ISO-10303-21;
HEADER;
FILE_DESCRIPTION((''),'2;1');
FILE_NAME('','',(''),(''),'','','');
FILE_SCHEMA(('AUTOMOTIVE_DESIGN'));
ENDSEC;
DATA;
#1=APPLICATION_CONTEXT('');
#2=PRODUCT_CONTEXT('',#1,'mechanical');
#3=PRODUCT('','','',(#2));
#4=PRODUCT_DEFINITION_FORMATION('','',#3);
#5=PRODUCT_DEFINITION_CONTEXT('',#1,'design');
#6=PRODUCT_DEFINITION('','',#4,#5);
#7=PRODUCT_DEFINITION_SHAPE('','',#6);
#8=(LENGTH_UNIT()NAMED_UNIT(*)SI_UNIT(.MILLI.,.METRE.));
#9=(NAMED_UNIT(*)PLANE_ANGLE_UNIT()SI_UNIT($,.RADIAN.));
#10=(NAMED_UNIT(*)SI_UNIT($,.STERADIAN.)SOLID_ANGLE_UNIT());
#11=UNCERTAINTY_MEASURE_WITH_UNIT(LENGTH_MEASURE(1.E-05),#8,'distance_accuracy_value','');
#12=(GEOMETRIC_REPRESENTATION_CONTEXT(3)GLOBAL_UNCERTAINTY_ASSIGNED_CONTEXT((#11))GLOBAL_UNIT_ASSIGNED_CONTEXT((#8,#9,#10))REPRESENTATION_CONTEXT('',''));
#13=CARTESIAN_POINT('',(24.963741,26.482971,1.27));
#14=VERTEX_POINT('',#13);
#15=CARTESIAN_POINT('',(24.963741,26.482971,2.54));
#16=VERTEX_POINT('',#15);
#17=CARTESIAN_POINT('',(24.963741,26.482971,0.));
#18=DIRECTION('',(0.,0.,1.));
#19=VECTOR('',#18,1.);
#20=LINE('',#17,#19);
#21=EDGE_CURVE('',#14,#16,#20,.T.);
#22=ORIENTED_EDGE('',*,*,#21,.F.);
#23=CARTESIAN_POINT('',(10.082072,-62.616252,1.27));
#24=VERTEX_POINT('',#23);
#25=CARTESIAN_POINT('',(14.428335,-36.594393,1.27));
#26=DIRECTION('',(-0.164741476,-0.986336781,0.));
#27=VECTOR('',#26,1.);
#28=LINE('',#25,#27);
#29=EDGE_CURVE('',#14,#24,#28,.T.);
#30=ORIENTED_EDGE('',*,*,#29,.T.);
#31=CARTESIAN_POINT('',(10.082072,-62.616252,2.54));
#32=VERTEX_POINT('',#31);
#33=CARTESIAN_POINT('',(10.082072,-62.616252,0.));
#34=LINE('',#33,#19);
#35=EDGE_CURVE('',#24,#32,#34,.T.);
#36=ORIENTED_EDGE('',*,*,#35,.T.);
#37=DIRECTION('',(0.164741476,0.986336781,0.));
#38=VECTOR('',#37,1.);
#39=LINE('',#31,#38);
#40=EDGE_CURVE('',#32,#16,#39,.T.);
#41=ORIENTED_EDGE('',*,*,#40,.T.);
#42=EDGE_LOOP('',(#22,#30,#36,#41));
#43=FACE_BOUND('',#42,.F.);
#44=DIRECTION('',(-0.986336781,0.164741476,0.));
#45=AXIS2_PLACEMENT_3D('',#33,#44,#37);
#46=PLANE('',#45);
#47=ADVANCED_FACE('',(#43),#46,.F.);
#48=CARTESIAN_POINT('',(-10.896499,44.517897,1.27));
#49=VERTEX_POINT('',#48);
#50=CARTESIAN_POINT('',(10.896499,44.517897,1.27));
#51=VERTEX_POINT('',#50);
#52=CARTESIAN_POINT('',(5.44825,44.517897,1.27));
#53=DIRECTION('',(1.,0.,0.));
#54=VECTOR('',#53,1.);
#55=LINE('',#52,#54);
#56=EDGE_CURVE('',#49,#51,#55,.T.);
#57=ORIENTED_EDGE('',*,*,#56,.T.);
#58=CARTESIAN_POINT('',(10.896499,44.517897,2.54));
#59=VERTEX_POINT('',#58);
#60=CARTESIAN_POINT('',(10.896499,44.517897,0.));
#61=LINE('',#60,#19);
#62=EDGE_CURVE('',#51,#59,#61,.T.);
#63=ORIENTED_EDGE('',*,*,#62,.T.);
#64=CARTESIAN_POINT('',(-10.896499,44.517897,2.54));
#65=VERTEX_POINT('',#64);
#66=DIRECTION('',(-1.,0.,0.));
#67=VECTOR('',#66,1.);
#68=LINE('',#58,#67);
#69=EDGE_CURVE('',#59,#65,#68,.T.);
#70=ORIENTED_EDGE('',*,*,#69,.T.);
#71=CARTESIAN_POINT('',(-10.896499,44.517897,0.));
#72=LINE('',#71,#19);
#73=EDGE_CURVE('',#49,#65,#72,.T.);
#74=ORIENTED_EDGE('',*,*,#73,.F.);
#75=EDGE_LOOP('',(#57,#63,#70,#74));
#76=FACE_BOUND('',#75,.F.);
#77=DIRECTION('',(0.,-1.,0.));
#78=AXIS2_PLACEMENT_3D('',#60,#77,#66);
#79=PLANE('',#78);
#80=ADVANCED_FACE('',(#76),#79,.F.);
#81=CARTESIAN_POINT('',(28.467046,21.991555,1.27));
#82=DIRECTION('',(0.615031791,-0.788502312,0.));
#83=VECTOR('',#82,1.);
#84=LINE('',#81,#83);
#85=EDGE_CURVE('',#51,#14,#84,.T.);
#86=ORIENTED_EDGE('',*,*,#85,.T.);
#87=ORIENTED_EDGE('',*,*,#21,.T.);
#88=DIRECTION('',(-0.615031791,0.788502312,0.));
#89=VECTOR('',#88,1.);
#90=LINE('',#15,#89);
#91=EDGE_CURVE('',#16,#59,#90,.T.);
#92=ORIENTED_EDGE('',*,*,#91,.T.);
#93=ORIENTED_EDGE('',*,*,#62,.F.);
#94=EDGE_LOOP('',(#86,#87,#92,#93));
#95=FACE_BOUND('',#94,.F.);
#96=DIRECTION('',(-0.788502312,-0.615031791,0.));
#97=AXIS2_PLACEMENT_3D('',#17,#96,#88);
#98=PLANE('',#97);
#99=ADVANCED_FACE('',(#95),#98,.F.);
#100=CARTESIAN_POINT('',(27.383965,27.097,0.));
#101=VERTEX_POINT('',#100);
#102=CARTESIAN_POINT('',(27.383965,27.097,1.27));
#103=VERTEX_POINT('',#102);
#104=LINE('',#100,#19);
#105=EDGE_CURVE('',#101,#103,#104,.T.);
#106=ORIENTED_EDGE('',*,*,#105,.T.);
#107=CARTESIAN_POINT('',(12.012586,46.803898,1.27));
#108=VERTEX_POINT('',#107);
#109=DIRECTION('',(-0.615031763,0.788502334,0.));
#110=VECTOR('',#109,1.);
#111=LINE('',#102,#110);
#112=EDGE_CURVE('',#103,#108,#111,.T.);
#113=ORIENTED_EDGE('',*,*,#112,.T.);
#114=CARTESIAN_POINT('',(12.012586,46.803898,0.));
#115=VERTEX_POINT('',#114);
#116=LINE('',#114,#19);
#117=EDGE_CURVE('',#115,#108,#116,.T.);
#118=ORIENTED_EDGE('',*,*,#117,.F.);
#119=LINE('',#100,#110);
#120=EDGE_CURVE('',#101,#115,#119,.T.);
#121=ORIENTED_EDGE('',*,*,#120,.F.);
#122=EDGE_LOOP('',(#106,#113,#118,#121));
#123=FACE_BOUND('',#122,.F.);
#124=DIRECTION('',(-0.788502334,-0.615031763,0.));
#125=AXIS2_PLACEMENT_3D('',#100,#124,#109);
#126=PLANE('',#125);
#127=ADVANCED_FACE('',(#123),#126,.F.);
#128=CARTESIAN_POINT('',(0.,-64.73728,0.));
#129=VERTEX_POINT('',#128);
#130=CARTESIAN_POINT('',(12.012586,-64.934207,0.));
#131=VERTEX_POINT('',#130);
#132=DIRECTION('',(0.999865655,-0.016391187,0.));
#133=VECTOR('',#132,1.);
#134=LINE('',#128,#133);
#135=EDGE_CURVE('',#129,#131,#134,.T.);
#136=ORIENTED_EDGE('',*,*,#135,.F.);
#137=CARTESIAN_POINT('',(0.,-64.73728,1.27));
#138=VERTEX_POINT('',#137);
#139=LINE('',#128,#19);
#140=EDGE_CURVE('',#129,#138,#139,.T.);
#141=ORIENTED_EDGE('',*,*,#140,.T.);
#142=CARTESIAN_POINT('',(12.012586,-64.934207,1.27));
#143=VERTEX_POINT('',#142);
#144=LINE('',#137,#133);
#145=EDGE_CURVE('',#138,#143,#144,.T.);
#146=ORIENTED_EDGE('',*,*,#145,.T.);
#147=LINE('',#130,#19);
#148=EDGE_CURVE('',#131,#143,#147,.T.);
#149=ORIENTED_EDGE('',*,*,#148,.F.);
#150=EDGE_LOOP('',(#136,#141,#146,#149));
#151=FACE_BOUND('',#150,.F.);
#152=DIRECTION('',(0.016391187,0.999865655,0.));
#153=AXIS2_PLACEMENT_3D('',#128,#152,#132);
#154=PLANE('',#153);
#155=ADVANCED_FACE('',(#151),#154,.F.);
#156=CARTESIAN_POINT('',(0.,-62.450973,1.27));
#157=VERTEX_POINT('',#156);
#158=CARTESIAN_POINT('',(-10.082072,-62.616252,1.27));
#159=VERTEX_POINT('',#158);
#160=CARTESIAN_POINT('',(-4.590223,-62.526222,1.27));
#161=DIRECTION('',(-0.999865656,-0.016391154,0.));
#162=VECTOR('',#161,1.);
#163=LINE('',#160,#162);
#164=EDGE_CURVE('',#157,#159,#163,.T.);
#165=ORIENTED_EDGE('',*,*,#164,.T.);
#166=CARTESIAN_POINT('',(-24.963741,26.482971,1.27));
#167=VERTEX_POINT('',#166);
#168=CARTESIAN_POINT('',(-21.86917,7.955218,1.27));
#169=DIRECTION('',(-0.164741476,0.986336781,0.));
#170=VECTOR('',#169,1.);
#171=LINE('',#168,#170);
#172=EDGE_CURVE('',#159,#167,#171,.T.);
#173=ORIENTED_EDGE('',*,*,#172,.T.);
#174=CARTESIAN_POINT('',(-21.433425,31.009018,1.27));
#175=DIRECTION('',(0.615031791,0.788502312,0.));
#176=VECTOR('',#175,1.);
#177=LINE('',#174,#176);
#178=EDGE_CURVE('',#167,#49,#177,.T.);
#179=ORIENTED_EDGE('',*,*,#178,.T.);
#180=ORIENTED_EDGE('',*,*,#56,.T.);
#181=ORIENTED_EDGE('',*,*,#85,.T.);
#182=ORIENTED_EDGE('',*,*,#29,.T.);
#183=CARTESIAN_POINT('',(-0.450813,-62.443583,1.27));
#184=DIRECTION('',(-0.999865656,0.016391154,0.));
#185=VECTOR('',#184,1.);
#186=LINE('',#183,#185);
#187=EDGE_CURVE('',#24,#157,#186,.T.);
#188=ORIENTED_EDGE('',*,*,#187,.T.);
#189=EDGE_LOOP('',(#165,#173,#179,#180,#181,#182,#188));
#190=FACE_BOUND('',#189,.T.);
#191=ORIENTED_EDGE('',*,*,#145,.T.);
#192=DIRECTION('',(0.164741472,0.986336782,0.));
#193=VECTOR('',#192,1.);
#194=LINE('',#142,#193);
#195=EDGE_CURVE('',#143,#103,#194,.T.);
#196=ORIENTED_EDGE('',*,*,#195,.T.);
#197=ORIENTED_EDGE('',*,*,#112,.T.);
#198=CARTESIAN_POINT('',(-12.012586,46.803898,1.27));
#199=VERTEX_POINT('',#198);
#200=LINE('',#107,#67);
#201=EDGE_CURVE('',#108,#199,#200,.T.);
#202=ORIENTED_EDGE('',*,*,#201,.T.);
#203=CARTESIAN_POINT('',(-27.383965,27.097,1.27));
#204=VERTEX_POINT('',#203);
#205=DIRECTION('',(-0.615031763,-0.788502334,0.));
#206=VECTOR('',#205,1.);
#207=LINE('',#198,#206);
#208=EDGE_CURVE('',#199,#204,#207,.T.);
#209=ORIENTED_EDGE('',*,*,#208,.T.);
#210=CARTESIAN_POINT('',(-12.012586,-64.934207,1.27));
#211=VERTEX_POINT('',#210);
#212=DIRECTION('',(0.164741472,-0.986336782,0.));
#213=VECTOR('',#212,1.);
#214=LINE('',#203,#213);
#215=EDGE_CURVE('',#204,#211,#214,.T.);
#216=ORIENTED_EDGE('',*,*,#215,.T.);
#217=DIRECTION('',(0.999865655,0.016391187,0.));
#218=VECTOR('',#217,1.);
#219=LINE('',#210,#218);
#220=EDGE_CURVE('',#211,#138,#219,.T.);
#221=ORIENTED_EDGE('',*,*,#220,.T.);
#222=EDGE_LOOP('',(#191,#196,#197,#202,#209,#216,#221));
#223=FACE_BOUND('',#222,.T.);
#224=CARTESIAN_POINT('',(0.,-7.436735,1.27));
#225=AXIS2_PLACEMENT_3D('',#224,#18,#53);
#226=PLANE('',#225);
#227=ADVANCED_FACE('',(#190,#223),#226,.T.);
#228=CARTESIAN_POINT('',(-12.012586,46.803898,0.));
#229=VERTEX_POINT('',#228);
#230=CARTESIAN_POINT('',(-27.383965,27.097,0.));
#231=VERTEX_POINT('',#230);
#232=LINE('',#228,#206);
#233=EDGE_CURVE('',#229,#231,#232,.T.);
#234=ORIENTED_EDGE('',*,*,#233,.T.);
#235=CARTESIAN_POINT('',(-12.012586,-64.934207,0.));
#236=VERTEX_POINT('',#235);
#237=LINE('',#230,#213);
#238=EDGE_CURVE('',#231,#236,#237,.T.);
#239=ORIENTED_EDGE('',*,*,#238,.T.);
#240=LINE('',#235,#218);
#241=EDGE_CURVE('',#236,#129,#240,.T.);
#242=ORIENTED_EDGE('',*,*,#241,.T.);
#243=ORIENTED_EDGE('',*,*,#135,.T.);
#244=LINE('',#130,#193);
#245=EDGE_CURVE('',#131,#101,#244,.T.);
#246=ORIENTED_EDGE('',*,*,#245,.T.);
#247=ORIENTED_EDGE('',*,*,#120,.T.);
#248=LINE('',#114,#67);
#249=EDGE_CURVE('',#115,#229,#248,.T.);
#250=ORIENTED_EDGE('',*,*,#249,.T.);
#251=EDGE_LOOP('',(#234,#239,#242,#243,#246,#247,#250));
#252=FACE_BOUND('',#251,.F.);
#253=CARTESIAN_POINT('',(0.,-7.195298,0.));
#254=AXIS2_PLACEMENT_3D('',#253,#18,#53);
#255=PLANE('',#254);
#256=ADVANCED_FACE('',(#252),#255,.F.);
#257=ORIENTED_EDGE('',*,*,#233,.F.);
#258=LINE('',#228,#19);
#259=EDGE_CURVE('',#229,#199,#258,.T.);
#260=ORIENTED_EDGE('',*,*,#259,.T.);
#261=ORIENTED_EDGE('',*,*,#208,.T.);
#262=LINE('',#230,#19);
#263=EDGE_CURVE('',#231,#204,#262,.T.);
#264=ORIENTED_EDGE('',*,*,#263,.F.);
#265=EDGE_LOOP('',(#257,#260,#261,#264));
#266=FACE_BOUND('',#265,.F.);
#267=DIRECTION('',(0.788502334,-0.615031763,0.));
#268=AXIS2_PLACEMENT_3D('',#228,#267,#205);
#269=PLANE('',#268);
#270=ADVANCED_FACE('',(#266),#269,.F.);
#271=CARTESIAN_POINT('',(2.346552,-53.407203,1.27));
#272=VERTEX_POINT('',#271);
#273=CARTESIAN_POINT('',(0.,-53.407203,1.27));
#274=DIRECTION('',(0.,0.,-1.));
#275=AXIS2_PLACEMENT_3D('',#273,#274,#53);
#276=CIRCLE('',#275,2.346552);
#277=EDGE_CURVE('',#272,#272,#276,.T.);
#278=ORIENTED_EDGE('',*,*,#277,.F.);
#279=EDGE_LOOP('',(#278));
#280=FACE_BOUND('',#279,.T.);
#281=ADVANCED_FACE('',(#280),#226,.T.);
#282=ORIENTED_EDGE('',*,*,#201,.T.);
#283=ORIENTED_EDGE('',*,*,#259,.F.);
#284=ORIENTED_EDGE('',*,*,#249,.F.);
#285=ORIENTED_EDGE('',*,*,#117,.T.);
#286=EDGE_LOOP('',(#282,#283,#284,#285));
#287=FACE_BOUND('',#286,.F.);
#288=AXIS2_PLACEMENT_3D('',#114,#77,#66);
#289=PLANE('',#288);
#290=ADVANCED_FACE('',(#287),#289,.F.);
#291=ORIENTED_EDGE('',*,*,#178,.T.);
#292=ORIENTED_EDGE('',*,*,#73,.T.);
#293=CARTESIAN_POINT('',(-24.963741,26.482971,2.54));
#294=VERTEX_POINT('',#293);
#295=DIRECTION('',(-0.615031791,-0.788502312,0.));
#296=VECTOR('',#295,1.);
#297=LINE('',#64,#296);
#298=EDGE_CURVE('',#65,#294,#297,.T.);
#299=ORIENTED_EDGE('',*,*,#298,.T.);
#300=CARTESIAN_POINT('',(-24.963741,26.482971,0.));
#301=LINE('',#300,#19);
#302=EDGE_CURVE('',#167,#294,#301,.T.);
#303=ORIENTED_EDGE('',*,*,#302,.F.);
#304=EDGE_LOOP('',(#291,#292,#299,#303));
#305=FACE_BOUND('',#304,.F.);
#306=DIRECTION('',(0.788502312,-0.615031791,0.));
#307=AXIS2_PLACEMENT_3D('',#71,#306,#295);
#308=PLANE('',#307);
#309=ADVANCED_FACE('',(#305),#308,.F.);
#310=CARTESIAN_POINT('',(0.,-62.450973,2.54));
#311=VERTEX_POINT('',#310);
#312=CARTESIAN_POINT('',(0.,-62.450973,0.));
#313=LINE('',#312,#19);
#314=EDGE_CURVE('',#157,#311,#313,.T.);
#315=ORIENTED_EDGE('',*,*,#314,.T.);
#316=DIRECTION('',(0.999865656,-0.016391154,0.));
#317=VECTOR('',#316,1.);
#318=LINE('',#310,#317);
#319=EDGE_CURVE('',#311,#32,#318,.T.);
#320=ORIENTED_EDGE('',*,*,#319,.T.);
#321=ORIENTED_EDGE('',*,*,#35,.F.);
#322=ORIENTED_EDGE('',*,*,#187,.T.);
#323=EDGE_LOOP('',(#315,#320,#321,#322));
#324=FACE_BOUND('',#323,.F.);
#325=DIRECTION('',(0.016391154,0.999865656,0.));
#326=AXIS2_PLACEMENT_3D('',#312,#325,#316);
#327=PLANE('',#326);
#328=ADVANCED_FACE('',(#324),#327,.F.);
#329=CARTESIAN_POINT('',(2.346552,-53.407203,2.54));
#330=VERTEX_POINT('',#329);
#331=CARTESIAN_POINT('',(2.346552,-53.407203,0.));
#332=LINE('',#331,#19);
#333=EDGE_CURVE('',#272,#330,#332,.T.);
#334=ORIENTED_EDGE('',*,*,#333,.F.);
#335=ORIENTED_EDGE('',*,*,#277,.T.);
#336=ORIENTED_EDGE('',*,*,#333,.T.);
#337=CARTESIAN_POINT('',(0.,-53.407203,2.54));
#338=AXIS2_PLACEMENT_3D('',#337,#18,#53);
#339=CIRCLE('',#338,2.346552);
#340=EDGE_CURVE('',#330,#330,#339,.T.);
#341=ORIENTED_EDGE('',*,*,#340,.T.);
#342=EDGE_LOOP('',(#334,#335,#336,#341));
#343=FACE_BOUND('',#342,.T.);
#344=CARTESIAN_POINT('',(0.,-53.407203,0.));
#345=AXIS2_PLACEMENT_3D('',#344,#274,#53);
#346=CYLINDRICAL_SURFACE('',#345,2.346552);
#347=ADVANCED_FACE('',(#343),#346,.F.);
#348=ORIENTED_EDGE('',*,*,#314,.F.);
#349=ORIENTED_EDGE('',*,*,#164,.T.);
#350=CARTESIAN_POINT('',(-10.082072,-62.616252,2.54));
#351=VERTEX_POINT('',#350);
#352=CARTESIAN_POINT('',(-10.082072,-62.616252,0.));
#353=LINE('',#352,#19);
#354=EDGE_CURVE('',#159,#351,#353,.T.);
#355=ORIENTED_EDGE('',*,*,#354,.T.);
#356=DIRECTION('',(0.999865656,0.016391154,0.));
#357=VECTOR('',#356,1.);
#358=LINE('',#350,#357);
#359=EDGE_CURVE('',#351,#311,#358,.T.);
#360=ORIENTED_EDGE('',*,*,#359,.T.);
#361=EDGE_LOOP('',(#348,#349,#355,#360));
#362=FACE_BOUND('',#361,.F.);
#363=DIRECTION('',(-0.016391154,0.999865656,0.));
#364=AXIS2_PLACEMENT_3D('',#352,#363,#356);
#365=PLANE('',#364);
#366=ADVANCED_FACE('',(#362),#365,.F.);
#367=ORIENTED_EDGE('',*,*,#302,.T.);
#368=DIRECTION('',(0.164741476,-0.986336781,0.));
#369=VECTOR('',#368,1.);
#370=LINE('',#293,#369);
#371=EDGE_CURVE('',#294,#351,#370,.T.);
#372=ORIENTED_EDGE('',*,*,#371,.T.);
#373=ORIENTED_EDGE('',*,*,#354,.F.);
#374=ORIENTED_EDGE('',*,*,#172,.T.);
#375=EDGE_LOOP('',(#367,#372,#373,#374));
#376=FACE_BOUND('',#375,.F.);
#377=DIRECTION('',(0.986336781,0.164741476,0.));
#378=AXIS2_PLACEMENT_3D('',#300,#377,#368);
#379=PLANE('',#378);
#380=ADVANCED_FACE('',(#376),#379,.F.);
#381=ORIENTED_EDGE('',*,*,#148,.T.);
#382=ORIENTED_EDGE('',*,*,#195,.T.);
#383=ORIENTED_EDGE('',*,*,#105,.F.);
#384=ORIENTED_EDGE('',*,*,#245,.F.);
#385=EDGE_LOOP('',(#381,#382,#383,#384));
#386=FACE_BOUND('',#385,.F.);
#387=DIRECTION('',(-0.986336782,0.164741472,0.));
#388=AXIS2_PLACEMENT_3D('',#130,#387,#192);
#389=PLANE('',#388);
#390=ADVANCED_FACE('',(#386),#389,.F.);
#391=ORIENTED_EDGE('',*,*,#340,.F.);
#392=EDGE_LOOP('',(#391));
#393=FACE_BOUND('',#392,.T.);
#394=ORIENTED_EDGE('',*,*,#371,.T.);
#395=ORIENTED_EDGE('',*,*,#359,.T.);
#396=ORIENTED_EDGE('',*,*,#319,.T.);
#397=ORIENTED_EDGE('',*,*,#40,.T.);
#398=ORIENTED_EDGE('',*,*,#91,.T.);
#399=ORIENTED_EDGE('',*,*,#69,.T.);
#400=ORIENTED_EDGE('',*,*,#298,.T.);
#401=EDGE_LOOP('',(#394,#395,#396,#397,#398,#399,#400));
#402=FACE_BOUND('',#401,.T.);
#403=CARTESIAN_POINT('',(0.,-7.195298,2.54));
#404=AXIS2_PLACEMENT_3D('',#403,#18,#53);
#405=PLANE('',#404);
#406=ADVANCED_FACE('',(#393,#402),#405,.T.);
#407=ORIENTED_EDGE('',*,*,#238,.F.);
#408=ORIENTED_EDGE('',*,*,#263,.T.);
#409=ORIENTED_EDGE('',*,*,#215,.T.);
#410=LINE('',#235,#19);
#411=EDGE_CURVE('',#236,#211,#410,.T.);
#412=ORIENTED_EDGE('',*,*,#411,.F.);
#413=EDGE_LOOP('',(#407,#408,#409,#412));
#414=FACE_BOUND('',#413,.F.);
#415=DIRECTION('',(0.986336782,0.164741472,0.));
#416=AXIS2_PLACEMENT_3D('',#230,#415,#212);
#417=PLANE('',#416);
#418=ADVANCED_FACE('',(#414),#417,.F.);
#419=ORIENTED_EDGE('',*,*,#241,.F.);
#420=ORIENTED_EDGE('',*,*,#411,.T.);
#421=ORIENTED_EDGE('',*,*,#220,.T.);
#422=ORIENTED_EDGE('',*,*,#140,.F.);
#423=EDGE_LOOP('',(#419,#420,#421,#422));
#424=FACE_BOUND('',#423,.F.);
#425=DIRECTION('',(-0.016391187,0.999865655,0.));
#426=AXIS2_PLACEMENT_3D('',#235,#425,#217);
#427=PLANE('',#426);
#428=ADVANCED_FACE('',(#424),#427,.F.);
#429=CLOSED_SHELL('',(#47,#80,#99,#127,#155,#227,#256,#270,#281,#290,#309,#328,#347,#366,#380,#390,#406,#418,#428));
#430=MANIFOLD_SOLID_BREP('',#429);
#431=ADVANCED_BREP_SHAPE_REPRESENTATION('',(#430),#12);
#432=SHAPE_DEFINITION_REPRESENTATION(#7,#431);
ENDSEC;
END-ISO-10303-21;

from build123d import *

# Parameters (mm, degrees)
F1_DEPTH = 1.27
F2_R     = 2.346552
F3_DEPTH = 2.54


with BuildPart() as f1:
    # F0 (on Top) → F1 (new body)
    with BuildSketch(Plane.XY):
        Polygon((12.012586, 46.803898), (0, 46.803898), (-12.012586, 46.803898), (-27.383965, 27.097), (-12.012586, -64.934207), (0, -64.73728), (12.012586, -64.934207), (27.383965, 27.097), align=None)
    extrude(amount=F1_DEPTH)

    # F2 (on face) → F3 (join)
    with BuildSketch(Plane.XY):
        Polygon((0, -62.450973), (10.082072, -62.616252), (24.963741, 26.482971), (10.896499, 44.517897), (0, 44.517897), (-10.896499, 44.517897), (-24.963741, 26.482971), (-10.082072, -62.616252), align=None)
        Polygon((20.66112, 25.391363), (6.650048, -58.495444), (0, -58.386427), (-6.650048, -58.495444), (-20.66112, 25.391363), (-8.912344, 40.453898), (0, 40.453898), (8.912344, 40.453898), align=None, mode=Mode.SUBTRACT)
        Polygon((0, -58.386427), (6.650048, -58.495444), (20.66112, 25.391363), (8.912344, 40.453898), (0, 40.453898), (-8.912344, 40.453898), (-20.66112, 25.391363), (-6.650048, -58.495444), align=None)
        with Locations((0, -53.407203)):
            Circle(F2_R, mode=Mode.SUBTRACT)
    extrude(amount=F3_DEPTH)


solid = f1.part
